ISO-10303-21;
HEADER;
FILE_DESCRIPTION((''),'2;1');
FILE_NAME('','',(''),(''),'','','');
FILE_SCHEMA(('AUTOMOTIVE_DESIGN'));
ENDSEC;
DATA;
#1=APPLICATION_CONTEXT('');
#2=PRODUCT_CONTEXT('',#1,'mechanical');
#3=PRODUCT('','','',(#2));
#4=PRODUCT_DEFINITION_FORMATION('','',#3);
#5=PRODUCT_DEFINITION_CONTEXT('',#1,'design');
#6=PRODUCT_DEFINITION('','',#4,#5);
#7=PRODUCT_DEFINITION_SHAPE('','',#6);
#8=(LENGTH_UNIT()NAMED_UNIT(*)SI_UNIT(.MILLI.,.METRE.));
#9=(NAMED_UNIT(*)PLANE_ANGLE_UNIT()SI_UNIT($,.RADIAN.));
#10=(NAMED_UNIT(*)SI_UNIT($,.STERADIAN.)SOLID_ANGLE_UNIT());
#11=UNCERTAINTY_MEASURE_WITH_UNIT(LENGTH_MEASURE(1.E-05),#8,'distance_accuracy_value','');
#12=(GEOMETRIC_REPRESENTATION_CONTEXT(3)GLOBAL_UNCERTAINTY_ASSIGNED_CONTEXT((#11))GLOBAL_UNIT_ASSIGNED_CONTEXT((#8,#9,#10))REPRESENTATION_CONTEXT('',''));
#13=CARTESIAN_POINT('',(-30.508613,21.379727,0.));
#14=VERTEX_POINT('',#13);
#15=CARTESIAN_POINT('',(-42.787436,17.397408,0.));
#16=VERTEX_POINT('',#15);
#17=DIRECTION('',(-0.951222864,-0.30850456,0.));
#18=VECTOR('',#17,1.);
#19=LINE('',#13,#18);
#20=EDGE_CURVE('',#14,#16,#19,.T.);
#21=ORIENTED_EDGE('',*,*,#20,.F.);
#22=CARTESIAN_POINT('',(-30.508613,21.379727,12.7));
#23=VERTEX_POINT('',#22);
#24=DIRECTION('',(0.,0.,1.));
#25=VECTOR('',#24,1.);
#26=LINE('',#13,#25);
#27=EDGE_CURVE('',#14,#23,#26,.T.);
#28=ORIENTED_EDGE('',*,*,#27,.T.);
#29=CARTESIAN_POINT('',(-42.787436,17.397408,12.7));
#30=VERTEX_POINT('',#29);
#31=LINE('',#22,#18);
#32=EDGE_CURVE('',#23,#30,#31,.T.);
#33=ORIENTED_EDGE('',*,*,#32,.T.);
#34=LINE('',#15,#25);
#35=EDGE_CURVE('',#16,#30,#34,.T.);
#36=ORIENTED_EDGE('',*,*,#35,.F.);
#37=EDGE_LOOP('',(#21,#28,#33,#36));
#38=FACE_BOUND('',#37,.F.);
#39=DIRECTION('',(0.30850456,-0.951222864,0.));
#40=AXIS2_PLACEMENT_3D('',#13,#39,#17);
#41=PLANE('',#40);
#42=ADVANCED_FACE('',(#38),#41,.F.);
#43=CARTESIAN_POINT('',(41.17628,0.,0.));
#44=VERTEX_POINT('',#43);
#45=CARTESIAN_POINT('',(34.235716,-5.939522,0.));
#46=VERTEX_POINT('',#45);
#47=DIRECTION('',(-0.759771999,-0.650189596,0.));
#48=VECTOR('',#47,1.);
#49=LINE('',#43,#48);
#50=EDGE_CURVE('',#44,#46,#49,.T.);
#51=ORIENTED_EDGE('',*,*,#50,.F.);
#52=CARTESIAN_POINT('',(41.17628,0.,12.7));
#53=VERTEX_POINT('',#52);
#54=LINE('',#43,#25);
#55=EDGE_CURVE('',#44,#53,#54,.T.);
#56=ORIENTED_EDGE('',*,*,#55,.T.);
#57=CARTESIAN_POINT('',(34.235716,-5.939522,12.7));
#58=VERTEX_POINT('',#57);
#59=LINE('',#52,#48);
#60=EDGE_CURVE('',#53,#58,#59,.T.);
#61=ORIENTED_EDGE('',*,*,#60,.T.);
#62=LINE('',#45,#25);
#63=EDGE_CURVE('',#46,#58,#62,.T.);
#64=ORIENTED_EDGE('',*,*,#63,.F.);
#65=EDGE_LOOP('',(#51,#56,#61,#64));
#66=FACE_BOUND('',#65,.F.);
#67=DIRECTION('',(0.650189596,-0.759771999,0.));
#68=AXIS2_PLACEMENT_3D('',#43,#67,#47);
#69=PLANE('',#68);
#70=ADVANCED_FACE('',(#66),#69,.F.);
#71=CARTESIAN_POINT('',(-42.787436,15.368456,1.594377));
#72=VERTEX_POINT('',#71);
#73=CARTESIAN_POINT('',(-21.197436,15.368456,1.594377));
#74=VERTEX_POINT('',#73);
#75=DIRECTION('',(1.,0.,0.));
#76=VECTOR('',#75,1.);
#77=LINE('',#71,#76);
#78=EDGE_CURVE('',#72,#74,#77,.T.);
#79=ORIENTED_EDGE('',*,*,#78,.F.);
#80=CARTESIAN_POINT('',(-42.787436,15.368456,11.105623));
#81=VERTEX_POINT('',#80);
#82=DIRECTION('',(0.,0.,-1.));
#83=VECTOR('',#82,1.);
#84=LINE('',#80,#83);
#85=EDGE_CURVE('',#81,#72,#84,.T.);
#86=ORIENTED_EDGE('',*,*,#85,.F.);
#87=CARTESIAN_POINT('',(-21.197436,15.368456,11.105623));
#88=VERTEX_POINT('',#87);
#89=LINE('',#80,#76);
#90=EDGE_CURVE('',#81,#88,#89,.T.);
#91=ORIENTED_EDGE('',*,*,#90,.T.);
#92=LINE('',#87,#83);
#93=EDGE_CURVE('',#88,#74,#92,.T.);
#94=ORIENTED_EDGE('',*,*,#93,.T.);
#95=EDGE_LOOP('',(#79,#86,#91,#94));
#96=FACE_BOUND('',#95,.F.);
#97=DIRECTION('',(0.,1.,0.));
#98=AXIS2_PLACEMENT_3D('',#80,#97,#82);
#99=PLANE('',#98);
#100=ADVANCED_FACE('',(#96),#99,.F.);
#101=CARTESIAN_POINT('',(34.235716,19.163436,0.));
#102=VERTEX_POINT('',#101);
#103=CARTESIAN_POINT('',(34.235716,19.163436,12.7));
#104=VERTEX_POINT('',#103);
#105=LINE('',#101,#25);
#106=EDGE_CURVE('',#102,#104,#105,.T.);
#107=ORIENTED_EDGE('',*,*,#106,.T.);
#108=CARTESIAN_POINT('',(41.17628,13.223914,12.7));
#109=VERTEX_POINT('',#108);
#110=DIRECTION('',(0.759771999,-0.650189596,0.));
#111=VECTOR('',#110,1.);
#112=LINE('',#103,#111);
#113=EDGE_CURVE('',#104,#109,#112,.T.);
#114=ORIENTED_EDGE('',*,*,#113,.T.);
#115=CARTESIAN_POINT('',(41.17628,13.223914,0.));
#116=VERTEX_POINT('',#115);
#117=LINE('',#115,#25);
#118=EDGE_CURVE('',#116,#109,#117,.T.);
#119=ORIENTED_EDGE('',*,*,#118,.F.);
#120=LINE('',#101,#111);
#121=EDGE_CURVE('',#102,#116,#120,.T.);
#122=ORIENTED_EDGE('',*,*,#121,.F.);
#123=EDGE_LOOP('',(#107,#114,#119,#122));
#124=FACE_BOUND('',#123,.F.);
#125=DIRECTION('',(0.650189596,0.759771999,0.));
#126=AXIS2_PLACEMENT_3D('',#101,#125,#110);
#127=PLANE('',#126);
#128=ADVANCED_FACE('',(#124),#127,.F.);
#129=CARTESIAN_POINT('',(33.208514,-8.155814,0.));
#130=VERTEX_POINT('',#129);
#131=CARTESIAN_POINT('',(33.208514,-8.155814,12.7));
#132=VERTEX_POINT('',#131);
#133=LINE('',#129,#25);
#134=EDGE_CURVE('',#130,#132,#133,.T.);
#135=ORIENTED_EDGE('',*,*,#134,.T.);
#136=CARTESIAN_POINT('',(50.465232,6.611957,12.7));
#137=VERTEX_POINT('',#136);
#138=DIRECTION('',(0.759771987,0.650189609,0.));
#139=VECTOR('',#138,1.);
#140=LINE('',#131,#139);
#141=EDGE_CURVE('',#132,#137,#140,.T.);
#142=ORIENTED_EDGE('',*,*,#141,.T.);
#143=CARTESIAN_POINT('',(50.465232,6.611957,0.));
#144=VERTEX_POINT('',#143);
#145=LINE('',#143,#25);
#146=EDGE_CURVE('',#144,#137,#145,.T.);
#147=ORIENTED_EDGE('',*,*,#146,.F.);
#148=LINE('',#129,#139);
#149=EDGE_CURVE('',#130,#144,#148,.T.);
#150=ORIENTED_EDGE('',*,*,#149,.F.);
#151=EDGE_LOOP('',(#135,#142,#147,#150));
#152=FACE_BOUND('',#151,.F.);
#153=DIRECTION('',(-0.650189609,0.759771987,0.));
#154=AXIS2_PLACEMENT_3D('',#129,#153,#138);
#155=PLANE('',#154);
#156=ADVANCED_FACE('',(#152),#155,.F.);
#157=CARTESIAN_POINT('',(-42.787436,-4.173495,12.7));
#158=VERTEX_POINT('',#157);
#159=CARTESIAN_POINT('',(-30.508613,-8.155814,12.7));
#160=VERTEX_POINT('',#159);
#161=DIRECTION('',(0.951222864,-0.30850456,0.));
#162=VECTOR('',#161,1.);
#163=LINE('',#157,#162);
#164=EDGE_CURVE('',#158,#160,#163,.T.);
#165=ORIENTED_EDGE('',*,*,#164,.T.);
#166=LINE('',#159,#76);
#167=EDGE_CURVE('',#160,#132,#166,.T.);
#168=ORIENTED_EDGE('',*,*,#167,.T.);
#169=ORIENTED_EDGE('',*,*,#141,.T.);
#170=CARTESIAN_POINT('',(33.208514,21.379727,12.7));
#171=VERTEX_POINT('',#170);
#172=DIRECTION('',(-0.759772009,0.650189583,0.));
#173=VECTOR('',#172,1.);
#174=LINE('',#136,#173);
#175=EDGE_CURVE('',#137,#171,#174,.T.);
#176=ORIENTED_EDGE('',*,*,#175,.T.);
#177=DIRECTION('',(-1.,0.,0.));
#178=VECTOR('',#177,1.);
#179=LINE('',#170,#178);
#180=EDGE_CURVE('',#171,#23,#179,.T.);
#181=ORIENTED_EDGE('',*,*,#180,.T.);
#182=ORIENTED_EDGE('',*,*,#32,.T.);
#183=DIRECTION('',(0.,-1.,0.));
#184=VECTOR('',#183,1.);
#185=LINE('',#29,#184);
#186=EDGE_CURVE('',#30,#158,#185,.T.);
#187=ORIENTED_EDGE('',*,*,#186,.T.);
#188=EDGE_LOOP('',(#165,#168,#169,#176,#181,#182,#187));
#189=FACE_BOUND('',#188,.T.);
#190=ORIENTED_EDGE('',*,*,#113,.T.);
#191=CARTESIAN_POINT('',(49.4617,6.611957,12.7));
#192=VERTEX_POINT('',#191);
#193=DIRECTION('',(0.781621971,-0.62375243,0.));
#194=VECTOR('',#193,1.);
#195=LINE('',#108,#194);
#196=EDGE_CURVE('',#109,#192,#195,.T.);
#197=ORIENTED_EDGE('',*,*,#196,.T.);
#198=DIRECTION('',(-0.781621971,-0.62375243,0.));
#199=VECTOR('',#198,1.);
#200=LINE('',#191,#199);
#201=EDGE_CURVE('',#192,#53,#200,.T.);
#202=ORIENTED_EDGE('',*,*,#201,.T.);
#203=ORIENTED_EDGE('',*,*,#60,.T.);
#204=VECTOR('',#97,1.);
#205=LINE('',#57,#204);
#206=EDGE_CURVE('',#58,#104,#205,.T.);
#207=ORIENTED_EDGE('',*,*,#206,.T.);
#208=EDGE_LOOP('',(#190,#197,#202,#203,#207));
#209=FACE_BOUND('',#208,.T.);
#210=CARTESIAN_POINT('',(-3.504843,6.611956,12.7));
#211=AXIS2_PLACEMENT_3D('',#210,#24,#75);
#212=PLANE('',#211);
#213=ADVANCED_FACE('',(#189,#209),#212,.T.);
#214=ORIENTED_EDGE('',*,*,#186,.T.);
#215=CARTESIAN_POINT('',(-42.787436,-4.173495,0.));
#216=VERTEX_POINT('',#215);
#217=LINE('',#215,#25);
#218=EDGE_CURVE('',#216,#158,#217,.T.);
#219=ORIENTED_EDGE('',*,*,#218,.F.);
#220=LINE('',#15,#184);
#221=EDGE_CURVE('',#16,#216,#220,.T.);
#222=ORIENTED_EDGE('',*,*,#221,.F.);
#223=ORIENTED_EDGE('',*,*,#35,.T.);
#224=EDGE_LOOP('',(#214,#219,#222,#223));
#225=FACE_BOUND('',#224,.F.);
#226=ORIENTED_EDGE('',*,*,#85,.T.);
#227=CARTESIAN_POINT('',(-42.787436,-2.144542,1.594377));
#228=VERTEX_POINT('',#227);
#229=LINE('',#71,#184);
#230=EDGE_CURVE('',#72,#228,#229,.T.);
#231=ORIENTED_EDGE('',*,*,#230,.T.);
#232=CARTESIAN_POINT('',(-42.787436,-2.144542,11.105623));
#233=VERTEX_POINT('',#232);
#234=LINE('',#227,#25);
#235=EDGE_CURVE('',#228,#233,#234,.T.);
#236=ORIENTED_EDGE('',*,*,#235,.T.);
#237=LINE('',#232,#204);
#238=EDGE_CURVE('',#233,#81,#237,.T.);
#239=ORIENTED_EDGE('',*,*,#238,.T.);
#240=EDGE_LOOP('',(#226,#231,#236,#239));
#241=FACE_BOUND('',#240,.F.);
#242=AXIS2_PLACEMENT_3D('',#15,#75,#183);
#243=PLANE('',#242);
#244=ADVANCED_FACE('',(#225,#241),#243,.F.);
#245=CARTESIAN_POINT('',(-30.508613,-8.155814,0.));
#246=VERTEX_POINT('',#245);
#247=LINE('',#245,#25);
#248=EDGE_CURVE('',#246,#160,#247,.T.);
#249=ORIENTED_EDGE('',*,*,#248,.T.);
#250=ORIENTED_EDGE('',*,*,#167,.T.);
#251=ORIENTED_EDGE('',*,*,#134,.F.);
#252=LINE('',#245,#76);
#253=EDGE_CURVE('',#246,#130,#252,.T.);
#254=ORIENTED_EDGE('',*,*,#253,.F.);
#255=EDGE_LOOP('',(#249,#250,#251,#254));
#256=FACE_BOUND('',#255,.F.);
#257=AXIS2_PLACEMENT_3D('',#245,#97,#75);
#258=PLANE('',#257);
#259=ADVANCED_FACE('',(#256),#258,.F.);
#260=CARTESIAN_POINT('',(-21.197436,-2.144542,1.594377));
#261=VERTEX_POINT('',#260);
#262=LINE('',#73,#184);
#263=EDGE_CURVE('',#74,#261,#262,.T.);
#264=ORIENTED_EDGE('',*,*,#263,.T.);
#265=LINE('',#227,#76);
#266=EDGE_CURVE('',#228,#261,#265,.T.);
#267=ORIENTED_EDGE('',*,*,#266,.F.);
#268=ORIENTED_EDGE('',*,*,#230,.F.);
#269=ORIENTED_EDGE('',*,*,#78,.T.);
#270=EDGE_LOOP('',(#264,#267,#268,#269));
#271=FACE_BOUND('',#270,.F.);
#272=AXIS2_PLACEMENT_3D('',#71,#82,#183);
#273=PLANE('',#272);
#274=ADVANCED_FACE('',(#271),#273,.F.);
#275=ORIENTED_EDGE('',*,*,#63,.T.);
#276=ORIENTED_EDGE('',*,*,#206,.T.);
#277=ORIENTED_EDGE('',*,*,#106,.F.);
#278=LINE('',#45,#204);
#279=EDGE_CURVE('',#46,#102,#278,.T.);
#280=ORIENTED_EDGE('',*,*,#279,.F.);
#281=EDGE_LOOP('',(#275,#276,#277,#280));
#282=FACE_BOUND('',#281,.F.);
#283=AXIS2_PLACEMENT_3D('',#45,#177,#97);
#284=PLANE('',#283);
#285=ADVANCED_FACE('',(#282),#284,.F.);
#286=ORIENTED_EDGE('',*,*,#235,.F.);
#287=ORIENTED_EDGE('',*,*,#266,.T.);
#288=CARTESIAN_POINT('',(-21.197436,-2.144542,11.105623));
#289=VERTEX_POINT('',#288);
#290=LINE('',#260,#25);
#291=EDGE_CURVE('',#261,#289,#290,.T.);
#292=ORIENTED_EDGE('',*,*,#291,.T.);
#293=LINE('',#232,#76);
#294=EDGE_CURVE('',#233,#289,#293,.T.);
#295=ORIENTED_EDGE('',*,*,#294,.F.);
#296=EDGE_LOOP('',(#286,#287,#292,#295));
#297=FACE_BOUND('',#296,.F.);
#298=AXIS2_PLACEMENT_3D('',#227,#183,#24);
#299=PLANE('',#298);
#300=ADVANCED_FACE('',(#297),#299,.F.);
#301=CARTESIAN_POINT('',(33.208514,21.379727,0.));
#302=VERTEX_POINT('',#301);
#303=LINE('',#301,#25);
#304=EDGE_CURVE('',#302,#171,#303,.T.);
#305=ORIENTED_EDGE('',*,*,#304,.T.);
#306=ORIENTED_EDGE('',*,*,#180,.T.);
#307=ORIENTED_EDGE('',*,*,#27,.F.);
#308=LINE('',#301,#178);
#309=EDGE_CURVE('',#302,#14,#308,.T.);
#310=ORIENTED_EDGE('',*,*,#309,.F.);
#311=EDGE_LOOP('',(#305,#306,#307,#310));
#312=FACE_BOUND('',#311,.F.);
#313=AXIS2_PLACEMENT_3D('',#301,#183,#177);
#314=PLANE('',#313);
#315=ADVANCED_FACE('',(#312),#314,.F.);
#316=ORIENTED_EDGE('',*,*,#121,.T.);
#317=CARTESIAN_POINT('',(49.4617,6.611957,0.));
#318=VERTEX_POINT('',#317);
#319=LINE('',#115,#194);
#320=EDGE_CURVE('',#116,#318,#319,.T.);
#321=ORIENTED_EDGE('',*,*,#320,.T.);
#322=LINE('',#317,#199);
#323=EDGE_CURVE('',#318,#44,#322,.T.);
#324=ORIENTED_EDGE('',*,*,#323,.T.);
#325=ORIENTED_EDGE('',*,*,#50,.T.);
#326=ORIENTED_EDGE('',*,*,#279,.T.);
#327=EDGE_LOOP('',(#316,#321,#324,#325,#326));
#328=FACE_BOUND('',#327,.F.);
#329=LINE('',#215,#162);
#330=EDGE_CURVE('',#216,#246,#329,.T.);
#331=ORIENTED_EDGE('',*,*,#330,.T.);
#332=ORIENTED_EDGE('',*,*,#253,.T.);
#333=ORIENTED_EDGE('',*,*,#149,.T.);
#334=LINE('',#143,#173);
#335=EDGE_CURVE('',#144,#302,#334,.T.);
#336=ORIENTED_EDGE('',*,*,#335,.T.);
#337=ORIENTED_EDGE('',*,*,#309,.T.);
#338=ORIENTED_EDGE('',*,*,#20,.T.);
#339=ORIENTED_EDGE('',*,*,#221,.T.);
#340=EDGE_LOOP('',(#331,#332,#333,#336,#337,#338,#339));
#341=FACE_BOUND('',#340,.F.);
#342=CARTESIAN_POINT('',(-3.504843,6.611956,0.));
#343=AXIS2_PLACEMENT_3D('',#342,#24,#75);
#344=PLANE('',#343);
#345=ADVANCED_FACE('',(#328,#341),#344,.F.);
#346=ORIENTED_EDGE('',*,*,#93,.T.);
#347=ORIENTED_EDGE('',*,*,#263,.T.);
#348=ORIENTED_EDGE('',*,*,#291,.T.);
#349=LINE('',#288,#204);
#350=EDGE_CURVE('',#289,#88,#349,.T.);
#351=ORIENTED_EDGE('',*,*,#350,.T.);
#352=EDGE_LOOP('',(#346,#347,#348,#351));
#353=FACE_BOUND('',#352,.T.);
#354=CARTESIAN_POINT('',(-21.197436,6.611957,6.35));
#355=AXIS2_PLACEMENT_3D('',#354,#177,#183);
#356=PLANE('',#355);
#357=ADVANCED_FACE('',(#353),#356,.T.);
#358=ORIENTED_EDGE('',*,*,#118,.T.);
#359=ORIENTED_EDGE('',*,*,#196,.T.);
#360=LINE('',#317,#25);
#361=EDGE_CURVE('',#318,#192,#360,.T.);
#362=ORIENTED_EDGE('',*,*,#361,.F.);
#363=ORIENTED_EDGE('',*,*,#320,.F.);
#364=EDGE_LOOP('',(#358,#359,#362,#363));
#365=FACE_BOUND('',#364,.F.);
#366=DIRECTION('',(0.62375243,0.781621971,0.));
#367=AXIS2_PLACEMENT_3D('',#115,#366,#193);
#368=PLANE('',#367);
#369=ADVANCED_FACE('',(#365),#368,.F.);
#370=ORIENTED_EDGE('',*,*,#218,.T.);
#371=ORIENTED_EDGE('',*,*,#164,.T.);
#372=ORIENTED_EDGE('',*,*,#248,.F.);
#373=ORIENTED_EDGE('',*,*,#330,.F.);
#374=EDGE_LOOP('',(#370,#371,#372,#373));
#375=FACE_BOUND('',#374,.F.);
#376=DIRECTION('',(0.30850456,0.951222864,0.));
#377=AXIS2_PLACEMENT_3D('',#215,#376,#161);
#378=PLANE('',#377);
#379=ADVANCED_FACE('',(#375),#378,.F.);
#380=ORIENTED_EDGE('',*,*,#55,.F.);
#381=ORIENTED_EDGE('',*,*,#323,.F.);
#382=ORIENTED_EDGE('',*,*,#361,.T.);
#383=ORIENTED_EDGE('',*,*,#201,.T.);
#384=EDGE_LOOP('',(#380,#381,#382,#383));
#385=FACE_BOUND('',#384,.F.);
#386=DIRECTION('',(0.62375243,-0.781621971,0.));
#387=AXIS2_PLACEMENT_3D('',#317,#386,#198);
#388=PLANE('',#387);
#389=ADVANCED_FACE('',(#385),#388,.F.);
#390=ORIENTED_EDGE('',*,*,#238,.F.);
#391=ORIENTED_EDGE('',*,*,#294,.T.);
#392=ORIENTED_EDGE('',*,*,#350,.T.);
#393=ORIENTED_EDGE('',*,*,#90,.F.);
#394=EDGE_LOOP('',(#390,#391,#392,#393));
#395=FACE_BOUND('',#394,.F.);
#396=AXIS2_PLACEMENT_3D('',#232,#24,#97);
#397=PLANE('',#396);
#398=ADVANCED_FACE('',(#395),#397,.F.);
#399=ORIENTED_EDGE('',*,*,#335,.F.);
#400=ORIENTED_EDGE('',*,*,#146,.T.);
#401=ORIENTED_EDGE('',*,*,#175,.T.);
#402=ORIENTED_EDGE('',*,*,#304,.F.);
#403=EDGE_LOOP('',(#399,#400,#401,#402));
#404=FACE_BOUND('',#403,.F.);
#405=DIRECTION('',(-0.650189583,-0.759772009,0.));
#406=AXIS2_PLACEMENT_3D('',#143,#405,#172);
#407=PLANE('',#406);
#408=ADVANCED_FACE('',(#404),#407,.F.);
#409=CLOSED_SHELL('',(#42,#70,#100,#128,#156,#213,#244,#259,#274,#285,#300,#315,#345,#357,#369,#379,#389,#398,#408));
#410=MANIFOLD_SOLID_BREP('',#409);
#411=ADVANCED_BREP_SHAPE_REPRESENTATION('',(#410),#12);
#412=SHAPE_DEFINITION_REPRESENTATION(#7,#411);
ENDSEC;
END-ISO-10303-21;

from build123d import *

# Parameters (mm, degrees)
F1_DEPTH = 12.7
F3_DEPTH = 21.59


with BuildPart() as f1:
    # F0 (on Top) → F1 (new body)
    with BuildSketch(Plane.XY):
        Polygon((33.208514, -8.155814), (33.208514, 21.379727), (-30.508613, 21.379727), (-42.787436, 17.397408), (-42.787436, -4.173495), (-30.508613, -8.155814), align=None)
        Polygon((33.208514, -8.155814), (50.465232, 6.611957), (33.208514, 21.379727), align=None)
        Polygon((49.4617, 6.611957), (41.17628, 0), (34.235716, -5.939522), (34.235716, 6.611957), (34.235716, 19.163436), (41.17628, 13.223914), align=None, mode=Mode.SUBTRACT)
    extrude(amount=F1_DEPTH)

    # F2 (on face) → F3 (cut)
    with BuildSketch(Plane(origin=(-42.787436, 0, 0), x_dir=(0, -1, 0), z_dir=(-1, 0, 0))):
        Polygon((-15.368456, 11.105623), (-15.368456, 6.35), (-15.368456, 1.594377), (2.144542, 1.594377), (2.144542, 6.35), (2.144542, 11.105623), align=None)
    extrude(amount=-F3_DEPTH, mode=Mode.SUBTRACT)


solid = f1.part
